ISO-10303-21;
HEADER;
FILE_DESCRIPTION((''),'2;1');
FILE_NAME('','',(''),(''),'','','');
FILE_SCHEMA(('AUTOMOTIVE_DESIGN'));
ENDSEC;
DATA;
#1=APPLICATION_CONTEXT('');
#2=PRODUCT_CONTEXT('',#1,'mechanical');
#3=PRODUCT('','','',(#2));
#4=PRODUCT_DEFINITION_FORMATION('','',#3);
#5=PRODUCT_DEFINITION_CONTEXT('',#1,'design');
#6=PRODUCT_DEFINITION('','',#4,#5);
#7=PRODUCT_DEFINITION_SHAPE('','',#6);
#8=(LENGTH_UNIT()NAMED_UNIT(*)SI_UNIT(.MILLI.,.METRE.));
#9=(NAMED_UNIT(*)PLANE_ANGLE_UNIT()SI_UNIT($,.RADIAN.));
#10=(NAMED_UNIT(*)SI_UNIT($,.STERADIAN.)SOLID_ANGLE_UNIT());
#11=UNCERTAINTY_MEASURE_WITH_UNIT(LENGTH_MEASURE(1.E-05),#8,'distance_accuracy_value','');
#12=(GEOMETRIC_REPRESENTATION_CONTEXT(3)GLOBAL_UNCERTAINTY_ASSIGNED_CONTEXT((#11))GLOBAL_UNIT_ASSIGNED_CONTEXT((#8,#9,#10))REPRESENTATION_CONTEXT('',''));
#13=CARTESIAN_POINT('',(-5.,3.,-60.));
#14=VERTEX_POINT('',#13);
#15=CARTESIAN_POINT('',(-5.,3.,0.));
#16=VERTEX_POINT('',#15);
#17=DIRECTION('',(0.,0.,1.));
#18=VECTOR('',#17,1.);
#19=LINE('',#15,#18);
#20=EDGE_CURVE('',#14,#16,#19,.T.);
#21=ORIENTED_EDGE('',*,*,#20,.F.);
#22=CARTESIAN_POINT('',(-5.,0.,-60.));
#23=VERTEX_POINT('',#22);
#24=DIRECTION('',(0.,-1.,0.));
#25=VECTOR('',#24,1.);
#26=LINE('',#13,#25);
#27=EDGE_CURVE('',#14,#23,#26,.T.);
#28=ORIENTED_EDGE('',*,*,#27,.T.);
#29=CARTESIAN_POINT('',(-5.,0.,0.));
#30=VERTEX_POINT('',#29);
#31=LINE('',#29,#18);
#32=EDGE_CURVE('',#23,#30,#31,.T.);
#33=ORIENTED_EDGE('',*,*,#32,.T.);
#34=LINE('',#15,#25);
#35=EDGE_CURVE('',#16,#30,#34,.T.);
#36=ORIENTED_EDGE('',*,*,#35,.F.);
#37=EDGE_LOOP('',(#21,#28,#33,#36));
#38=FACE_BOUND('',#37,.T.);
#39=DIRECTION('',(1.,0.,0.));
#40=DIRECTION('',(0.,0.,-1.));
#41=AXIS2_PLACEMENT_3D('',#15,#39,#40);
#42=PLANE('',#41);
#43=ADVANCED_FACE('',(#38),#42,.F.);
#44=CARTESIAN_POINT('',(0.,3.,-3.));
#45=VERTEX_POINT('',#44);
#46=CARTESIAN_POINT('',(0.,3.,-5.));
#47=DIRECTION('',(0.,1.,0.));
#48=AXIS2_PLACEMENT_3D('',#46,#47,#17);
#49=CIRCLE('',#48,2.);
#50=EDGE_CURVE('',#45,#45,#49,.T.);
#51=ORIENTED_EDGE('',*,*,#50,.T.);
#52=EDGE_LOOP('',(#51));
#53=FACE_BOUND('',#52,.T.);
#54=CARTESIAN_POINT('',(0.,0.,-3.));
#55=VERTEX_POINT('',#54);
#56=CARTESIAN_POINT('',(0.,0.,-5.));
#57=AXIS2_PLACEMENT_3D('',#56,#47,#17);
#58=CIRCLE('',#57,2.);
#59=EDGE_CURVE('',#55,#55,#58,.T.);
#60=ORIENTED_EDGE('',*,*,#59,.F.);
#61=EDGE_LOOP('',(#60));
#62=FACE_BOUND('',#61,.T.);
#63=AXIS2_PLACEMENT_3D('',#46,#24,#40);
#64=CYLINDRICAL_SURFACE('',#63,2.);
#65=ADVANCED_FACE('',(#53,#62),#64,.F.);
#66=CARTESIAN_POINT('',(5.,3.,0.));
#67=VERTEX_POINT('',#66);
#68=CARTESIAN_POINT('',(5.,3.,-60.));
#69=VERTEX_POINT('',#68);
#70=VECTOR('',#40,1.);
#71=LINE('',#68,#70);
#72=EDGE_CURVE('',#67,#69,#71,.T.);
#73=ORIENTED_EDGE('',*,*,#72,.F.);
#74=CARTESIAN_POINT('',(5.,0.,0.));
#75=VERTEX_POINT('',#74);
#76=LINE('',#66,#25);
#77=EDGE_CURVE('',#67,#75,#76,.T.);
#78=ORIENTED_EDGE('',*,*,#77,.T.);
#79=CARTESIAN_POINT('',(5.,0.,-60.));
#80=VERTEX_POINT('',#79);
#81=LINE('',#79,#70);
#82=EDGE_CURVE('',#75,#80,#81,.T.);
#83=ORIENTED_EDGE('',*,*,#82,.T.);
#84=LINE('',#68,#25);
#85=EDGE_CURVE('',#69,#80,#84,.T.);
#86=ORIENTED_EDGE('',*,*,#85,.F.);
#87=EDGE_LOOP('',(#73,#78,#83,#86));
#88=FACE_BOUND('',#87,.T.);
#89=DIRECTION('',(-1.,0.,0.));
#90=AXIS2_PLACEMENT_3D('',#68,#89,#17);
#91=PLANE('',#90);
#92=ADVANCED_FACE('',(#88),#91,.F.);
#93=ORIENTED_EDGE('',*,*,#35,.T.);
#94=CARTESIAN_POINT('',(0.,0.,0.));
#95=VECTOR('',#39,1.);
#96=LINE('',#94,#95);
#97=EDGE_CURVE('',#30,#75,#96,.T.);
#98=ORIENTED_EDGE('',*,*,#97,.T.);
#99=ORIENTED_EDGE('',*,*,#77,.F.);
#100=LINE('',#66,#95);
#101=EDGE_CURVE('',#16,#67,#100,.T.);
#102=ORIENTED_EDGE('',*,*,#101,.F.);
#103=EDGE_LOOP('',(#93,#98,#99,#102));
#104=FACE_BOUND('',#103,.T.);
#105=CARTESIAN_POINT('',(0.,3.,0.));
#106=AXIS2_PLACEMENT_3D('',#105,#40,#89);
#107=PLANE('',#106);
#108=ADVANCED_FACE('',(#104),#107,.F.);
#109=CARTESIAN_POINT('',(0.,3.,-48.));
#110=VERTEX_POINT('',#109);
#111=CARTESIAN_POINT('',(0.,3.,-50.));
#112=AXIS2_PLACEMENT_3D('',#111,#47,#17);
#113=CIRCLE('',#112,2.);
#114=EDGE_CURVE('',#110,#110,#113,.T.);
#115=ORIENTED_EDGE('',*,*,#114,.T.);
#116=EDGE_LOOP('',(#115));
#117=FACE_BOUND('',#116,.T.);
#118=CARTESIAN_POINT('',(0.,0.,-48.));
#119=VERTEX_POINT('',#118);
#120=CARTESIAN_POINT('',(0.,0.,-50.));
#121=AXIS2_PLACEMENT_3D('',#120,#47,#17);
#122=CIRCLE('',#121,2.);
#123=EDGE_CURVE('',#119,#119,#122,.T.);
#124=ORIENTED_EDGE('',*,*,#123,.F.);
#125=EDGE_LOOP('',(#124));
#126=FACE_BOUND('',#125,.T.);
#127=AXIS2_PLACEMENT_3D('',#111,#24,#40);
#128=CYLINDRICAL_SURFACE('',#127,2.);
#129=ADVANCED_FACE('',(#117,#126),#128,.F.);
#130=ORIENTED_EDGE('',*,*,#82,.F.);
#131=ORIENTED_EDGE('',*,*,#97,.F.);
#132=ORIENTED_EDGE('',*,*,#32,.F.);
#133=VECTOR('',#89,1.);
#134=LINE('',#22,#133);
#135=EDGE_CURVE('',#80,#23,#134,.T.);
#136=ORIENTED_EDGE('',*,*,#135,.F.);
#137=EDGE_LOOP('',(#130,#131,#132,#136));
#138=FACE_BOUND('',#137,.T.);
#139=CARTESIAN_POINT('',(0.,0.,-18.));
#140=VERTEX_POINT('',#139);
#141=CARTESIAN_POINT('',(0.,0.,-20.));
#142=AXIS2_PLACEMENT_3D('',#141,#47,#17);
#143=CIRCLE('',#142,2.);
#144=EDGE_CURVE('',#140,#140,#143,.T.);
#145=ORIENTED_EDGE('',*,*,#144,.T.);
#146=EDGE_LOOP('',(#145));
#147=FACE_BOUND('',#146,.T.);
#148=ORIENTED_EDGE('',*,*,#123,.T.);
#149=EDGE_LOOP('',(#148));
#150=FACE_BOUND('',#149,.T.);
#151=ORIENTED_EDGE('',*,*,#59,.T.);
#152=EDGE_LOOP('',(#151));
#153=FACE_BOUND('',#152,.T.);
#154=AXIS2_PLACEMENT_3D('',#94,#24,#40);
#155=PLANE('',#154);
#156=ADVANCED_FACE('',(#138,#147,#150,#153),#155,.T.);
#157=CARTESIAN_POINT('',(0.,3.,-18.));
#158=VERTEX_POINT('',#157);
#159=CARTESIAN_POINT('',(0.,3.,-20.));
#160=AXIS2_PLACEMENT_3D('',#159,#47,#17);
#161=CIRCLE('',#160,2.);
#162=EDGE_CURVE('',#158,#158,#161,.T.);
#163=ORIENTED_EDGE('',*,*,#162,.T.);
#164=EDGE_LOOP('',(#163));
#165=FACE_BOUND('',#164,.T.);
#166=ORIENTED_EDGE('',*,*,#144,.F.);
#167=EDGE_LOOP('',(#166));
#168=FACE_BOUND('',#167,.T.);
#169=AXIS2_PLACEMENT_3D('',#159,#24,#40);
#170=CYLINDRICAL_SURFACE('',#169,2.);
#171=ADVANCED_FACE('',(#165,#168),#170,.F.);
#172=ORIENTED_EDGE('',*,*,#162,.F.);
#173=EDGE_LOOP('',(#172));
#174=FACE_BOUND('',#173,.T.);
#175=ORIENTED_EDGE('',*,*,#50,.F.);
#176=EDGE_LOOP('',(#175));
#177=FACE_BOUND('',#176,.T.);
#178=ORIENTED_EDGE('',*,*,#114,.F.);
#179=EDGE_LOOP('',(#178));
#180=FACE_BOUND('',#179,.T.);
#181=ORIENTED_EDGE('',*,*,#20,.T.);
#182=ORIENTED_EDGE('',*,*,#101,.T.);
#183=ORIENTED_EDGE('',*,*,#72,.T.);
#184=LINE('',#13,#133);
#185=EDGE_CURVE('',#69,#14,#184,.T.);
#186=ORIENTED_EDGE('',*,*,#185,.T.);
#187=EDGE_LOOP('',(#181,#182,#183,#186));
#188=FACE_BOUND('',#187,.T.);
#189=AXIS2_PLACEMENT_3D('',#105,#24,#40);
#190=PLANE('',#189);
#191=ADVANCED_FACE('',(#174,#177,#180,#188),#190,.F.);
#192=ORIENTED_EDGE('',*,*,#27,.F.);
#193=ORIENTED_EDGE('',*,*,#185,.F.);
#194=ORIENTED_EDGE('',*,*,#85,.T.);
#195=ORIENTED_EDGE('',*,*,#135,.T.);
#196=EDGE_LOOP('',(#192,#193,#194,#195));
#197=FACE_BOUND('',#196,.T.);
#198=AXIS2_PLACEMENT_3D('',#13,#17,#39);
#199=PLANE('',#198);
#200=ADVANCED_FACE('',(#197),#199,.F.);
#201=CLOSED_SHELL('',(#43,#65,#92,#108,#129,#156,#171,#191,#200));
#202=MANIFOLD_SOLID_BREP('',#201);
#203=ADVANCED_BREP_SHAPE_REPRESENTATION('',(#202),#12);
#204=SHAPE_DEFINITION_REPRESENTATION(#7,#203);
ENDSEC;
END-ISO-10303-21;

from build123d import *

# Parameters (mm, degrees)
SKETCH1_R           = 2
BOSS_EXTRUDE1_DEPTH = 3


with BuildPart() as part:
    # Sketch1 → Boss-Extrude1 (new body)
    with BuildSketch(Plane(origin=(0, 0, 0), x_dir=(1, 0, 0), z_dir=(0, 1, 0))):
        Polygon((0, 0), (-5, 0), (-5, 60), (5, 60), (5, 0), align=None)
        with Locations(Location((0, 20, 0), (0, 0, 270))):
            Circle(SKETCH1_R, mode=Mode.SUBTRACT)
        with Locations(Location((0, 5, 0), (0, 0, 270))):
            Circle(SKETCH1_R, mode=Mode.SUBTRACT)
        with Locations(Location((0, 50, 0), (0, 0, 270))):
            Circle(SKETCH1_R, mode=Mode.SUBTRACT)
    extrude(amount=BOSS_EXTRUDE1_DEPTH)


solid = part.part
